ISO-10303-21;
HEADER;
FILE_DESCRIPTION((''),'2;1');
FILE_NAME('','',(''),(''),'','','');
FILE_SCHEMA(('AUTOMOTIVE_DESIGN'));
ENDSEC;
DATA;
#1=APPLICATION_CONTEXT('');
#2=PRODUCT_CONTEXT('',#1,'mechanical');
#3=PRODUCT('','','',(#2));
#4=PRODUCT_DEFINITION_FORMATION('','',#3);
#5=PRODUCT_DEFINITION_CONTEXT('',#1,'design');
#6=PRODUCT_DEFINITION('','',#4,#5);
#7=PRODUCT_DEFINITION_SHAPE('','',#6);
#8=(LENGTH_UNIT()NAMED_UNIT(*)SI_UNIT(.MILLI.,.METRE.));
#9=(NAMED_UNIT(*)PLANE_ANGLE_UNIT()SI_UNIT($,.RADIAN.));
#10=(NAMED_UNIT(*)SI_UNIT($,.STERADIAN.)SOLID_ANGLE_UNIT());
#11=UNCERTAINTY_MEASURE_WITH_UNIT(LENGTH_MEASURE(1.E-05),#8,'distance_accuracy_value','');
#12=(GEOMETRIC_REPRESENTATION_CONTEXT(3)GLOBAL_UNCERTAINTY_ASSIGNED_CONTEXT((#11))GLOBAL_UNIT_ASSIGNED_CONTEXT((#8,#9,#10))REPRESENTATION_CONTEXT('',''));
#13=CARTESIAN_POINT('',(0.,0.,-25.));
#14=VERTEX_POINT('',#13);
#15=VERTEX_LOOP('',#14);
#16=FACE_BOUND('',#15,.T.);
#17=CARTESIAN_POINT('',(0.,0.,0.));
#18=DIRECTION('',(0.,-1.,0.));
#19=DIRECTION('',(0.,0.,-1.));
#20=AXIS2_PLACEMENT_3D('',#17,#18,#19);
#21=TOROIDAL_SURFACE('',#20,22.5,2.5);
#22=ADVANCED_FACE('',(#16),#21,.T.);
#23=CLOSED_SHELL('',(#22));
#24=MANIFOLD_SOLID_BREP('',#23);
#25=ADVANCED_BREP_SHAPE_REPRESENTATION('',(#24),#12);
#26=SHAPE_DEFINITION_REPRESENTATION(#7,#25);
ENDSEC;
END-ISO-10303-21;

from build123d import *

# Parameters (mm, degrees)
IZIM3_R = 2.5


with BuildPart() as part:
    # Süpür1: sweep along a path in Çizim2
    with BuildLine(Plane(origin=(0, 0, 0), x_dir=(1, 0, 0), z_dir=(0, 1, 0))) as s_p_r1_path:
        CenterArc((0, 0), 20, 0, 360)
    # Çizim3 → Süpür1 (sweep)
    with BuildSketch(Plane.XY):
        with Locations((22.5, 0)):
            Circle(IZIM3_R)
    sweep(path=s_p_r1_path.line)


solid = part.part
